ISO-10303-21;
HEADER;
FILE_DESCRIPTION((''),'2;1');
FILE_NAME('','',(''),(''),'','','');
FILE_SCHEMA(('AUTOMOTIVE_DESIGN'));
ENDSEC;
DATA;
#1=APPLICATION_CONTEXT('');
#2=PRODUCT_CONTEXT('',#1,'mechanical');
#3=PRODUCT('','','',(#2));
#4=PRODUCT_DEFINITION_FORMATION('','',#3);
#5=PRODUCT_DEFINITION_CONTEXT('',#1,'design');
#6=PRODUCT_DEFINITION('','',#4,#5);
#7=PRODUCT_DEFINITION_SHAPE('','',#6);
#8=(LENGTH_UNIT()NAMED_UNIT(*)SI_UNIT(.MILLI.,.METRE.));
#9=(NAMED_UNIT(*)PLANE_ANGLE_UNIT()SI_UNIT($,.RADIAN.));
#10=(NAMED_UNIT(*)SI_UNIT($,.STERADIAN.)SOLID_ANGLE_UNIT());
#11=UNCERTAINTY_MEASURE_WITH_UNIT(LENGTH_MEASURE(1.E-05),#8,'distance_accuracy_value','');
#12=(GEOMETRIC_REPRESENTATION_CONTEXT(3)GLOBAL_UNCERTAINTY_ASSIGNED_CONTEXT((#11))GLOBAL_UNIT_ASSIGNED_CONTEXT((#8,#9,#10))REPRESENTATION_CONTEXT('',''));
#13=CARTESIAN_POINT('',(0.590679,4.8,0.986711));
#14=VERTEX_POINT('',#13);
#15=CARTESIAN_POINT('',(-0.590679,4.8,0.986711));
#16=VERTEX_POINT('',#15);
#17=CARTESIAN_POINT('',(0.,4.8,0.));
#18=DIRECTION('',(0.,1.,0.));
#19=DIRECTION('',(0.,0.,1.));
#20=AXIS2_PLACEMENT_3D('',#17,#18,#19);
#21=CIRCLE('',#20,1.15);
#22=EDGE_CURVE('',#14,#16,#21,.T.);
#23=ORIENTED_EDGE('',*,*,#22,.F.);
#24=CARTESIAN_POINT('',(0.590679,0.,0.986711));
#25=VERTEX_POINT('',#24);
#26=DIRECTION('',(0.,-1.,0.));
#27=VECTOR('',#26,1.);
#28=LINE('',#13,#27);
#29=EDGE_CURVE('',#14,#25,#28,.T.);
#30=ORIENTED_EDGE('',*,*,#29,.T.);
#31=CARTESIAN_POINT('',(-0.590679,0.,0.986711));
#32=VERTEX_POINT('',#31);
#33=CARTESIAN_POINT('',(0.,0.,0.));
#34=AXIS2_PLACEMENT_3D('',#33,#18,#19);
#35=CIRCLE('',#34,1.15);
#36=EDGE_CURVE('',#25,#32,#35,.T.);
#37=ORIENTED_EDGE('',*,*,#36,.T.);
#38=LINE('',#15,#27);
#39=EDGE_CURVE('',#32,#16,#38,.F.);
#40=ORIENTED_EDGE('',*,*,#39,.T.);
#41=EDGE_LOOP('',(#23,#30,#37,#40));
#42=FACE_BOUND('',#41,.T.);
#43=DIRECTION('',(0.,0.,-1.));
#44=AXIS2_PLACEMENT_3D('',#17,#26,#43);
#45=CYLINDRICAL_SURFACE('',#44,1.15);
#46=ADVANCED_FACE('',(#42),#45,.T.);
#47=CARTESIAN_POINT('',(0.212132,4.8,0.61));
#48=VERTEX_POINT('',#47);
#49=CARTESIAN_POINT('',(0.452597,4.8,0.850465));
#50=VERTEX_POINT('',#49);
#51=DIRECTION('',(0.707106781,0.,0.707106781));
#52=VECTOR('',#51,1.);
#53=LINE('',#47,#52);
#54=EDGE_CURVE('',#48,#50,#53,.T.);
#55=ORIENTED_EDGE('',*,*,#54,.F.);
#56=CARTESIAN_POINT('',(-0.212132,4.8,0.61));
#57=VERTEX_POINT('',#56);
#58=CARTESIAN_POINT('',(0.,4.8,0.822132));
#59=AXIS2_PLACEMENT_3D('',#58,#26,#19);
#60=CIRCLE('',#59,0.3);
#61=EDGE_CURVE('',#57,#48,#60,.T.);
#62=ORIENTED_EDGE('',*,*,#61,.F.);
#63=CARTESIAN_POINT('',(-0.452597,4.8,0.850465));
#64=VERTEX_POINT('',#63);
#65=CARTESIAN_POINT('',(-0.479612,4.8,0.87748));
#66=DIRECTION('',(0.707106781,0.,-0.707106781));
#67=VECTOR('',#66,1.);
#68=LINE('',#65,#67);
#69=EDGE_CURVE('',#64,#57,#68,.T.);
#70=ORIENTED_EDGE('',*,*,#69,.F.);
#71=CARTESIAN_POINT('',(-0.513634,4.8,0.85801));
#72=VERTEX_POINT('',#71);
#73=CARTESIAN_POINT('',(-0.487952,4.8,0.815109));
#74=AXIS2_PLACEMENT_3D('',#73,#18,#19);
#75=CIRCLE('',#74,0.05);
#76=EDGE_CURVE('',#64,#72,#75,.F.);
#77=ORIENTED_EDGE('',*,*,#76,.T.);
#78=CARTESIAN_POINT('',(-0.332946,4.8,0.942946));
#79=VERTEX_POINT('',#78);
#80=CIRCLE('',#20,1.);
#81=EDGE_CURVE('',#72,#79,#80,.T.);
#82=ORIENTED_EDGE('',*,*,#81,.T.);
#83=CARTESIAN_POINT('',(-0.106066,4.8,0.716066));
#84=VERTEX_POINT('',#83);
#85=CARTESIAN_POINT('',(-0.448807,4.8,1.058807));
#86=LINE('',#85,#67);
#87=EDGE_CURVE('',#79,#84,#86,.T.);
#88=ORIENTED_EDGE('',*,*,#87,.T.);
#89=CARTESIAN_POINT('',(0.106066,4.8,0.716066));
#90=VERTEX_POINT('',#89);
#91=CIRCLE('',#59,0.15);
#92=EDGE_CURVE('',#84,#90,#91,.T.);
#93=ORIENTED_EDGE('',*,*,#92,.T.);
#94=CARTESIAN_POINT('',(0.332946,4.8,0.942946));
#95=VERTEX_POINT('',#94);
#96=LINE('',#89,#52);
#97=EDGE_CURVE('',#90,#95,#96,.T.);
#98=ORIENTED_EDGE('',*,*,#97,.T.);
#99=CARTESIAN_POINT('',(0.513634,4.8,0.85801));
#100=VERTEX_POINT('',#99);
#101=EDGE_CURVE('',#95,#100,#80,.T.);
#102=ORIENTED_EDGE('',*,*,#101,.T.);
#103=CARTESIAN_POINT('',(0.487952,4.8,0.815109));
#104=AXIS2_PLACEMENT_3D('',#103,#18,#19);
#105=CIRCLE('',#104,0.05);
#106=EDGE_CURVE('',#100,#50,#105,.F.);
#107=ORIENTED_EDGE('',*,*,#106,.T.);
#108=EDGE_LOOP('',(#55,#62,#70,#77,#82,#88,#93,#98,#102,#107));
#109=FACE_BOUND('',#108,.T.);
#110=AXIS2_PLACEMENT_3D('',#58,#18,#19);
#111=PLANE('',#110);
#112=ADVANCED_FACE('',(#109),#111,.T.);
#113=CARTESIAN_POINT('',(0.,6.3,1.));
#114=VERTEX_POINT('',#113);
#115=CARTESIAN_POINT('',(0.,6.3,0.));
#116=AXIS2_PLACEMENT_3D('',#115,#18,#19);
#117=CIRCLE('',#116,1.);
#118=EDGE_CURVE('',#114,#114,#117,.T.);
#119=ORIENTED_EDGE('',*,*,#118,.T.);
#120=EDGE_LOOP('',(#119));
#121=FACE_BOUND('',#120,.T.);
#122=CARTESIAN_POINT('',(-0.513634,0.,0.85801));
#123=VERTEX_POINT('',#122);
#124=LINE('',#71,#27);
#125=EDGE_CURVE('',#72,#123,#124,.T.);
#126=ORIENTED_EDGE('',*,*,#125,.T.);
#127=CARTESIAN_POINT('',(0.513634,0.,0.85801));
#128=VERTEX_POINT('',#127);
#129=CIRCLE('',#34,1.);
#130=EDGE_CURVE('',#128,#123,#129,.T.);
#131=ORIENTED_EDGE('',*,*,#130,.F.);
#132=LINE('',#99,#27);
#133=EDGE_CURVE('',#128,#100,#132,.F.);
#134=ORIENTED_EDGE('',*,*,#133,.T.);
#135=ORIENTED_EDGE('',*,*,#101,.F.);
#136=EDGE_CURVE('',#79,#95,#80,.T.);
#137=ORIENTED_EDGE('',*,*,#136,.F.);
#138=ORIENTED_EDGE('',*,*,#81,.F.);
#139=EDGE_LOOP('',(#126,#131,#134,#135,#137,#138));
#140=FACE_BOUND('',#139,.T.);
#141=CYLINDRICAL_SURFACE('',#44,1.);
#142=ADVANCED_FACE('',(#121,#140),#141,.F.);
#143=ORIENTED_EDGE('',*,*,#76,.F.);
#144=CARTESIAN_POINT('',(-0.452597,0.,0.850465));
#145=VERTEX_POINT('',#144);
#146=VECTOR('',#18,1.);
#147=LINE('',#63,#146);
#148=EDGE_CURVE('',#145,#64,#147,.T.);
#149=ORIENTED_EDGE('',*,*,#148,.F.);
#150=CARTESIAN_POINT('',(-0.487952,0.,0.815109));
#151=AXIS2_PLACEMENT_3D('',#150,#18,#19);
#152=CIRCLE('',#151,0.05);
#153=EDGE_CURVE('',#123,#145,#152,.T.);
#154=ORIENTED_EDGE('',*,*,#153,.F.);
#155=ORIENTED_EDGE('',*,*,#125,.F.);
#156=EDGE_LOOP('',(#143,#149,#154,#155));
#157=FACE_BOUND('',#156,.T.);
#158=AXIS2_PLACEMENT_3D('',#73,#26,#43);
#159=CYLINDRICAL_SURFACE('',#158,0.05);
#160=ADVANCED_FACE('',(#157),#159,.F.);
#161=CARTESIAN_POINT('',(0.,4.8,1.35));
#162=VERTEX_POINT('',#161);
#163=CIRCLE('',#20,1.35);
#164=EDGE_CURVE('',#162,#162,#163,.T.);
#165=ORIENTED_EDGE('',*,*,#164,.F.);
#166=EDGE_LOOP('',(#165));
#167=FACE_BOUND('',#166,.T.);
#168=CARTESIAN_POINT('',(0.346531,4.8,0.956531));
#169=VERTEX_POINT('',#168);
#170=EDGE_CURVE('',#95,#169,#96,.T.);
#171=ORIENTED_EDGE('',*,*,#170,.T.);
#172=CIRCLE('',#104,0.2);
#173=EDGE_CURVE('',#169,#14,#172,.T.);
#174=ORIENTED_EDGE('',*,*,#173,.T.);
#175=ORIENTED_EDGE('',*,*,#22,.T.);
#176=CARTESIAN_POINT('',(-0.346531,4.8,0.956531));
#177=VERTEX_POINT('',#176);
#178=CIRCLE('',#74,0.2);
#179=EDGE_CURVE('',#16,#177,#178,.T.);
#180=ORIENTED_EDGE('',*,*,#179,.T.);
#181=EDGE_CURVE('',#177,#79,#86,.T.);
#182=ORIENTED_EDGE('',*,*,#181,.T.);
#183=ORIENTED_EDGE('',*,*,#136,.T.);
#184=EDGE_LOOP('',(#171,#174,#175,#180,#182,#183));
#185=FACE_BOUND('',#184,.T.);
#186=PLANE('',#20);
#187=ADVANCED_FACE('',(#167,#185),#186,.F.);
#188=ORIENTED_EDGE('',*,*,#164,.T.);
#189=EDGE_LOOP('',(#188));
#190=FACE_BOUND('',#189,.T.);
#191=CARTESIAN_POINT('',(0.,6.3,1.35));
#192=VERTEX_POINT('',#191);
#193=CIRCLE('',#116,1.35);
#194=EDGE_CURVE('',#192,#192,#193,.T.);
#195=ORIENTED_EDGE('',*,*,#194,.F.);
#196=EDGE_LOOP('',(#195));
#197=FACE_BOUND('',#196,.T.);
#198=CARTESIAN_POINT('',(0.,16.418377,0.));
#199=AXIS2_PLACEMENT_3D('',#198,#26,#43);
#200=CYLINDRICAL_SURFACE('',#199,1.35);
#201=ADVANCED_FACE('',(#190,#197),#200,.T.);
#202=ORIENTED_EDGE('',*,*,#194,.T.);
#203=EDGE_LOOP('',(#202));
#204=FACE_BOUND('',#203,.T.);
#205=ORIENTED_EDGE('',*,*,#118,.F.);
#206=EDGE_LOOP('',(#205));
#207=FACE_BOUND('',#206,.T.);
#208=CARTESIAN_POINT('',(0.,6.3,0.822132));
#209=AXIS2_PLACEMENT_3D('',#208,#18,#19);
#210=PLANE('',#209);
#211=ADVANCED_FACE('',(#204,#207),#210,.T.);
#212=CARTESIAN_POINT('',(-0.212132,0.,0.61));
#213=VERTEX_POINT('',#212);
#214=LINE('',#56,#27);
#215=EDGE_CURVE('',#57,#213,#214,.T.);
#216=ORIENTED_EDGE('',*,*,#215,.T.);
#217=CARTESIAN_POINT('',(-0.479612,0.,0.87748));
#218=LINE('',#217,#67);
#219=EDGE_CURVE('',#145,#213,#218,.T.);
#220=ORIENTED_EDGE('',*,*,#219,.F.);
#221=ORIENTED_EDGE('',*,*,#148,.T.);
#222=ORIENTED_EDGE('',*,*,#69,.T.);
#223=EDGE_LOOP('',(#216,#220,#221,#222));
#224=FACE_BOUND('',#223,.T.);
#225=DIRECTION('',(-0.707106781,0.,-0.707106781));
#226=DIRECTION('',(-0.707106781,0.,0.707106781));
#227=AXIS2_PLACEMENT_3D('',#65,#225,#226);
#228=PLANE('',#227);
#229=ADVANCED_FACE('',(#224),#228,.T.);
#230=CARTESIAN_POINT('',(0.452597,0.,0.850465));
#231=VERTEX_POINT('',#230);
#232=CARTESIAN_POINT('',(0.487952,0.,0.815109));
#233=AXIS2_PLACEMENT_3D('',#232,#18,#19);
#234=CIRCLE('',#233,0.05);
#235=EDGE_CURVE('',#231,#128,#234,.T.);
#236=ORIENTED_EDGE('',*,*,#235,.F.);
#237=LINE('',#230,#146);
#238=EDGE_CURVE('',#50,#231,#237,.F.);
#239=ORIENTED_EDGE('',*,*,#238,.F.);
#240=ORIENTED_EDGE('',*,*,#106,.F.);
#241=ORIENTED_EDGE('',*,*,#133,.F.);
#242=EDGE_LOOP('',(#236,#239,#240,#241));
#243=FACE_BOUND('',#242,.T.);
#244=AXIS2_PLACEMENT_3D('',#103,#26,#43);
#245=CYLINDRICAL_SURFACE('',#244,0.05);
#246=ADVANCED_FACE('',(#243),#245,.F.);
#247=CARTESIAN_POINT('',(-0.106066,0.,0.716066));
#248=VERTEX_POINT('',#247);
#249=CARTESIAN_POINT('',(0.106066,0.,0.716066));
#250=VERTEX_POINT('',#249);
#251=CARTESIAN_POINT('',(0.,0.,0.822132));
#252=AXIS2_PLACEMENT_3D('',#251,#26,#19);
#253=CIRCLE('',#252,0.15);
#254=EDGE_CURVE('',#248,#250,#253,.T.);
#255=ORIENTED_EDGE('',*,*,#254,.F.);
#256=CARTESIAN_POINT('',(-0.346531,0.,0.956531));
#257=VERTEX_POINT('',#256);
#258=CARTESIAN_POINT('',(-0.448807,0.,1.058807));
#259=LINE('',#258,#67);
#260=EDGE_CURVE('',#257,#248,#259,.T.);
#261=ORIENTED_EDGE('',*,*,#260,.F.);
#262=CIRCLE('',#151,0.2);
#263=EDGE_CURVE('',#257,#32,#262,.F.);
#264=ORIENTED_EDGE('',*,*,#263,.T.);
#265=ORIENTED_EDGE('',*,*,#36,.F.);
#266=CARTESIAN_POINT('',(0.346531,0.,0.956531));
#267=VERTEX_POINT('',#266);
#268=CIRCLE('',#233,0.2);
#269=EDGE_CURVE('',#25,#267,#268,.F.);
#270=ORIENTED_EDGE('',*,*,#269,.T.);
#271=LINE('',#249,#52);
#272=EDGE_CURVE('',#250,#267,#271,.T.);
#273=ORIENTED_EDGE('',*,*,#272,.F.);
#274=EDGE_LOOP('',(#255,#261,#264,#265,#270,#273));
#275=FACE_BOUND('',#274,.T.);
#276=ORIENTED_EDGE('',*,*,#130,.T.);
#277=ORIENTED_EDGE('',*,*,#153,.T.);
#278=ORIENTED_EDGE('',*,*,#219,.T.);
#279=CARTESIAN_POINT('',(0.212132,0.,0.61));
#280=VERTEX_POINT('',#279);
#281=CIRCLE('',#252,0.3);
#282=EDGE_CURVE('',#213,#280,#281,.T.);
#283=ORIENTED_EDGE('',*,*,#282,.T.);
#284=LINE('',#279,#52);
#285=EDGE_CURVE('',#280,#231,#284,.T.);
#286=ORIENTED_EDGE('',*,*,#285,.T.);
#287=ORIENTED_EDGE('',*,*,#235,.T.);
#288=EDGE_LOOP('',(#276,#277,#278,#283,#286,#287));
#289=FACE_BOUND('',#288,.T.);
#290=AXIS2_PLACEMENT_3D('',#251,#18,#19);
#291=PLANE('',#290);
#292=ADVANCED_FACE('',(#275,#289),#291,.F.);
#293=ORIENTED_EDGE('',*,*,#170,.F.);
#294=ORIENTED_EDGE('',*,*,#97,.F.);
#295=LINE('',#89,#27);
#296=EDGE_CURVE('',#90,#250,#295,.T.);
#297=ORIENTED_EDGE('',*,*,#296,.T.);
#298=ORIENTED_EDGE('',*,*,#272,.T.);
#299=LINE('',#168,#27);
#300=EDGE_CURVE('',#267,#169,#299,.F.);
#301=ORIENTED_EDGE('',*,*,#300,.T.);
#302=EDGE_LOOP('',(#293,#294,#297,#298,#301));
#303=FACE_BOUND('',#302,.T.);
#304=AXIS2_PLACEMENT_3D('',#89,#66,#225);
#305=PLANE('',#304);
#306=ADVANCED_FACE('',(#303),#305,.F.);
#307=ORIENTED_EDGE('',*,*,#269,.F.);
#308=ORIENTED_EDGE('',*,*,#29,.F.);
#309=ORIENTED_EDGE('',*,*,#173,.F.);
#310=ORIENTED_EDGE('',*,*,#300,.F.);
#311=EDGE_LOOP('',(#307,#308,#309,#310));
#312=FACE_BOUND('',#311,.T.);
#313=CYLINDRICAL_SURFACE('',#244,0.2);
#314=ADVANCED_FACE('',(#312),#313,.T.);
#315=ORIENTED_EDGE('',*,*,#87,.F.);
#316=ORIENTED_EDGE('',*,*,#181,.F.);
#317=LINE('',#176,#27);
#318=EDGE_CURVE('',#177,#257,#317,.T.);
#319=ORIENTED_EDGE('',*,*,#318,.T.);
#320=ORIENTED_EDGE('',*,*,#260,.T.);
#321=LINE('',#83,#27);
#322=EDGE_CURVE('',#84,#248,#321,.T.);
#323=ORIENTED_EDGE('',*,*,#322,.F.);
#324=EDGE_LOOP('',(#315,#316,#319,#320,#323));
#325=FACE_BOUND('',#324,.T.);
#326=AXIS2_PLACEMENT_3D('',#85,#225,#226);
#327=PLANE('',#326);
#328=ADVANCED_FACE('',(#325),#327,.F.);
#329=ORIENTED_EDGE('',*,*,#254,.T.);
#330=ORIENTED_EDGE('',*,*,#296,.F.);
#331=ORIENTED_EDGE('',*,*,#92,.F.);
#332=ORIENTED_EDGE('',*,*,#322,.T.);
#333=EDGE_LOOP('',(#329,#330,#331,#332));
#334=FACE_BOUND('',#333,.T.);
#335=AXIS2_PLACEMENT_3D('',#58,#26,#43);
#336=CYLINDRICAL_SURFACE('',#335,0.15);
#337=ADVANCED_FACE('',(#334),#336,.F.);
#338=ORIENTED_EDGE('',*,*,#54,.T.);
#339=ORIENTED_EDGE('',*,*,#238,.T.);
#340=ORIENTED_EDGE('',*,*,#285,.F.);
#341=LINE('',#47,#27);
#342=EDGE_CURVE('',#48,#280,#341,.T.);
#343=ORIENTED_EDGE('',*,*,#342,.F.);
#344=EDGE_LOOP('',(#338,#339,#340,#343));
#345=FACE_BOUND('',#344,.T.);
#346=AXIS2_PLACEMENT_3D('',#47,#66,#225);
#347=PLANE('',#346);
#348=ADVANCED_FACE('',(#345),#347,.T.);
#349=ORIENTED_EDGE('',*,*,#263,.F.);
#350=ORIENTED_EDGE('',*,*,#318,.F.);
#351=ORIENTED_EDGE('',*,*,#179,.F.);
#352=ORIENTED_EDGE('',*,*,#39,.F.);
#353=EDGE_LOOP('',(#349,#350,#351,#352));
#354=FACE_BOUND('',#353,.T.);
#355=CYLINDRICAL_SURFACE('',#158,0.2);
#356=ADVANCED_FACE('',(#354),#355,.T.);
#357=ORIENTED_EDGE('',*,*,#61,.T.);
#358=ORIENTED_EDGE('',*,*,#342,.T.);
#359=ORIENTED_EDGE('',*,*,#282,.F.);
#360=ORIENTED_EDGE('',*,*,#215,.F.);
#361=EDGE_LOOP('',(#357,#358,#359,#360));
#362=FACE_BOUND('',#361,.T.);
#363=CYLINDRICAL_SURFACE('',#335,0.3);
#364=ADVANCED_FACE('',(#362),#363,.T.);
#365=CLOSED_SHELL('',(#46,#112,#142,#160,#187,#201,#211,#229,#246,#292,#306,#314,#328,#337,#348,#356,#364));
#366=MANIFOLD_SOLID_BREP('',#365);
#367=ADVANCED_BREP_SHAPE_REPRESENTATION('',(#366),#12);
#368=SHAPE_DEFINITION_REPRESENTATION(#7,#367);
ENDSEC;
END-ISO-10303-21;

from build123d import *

# Parameters (mm, degrees)
BOSS_EXTRUDE1_DEPTH = 4.8
FILLET1_R           = 0.05
FILLET2_R           = 0.2
SKETCH2_R           = 1.35
SKETCH2_R_2         = 1
BOSS_EXTRUDE2_DEPTH = 1.5


with BuildPart() as part:
    # Sketch1 → Boss-Extrude1 (new body)
    with BuildSketch(Plane(origin=(0, 0, 0), x_dir=(1, 0, 0), z_dir=(0, 1, 0))):
        with BuildLine():
            Line((-0.448807004, -1.058807004), (-0.106066017, -0.716066017))
            ThreePointArc((-0.106066017, -0.716066017), (0, -0.672132034), (0.106066017, -0.716066017))
            Line((0.106066017, -0.716066017), (0.448807004, -1.058807004))
            ThreePointArc((0.448807004, -1.058807004), (0, 1.15), (-0.448807004, -1.058807004))
        make_face()
        with BuildLine():
            Line((-0.479612457, -0.877480422), (-0.212132034, -0.61))
            ThreePointArc((-0.212132034, -0.61), (0, -0.522132034), (0.212132034, -0.61))
            Line((0.212132034, -0.61), (0.479612457, -0.877480422))
            ThreePointArc((0.479612457, -0.877480422), (0, 1), (-0.479612457, -0.877480422))
        make_face(mode=Mode.SUBTRACT)
    extrude(amount=BOSS_EXTRUDE1_DEPTH)

    # Fillet1
    fillet1_edges = [part.edges().sort_by_distance(p)[0] for p in [
        (0.479612457, 2.4, 0.877480422),
        (-0.479612457, 2.4, 0.877480422),
    ]]
    fillet(fillet1_edges, radius=FILLET1_R)

    # Fillet2
    fillet2_edges = [part.edges().sort_by_distance(p)[0] for p in [
        (-0.448807004, 2.4, 1.058807004),
        (0.448807004, 2.4, 1.058807004),
    ]]
    fillet(fillet2_edges, radius=FILLET2_R)

    # Sketch2 → Boss-Extrude2 (add)
    with BuildSketch(Plane(origin=(0, 4.8, 0), x_dir=(1, 0, 0), z_dir=(0, 1, 0))):
        Circle(SKETCH2_R)
        Circle(SKETCH2_R_2, mode=Mode.SUBTRACT)
    extrude(amount=BOSS_EXTRUDE2_DEPTH)


solid = part.part
